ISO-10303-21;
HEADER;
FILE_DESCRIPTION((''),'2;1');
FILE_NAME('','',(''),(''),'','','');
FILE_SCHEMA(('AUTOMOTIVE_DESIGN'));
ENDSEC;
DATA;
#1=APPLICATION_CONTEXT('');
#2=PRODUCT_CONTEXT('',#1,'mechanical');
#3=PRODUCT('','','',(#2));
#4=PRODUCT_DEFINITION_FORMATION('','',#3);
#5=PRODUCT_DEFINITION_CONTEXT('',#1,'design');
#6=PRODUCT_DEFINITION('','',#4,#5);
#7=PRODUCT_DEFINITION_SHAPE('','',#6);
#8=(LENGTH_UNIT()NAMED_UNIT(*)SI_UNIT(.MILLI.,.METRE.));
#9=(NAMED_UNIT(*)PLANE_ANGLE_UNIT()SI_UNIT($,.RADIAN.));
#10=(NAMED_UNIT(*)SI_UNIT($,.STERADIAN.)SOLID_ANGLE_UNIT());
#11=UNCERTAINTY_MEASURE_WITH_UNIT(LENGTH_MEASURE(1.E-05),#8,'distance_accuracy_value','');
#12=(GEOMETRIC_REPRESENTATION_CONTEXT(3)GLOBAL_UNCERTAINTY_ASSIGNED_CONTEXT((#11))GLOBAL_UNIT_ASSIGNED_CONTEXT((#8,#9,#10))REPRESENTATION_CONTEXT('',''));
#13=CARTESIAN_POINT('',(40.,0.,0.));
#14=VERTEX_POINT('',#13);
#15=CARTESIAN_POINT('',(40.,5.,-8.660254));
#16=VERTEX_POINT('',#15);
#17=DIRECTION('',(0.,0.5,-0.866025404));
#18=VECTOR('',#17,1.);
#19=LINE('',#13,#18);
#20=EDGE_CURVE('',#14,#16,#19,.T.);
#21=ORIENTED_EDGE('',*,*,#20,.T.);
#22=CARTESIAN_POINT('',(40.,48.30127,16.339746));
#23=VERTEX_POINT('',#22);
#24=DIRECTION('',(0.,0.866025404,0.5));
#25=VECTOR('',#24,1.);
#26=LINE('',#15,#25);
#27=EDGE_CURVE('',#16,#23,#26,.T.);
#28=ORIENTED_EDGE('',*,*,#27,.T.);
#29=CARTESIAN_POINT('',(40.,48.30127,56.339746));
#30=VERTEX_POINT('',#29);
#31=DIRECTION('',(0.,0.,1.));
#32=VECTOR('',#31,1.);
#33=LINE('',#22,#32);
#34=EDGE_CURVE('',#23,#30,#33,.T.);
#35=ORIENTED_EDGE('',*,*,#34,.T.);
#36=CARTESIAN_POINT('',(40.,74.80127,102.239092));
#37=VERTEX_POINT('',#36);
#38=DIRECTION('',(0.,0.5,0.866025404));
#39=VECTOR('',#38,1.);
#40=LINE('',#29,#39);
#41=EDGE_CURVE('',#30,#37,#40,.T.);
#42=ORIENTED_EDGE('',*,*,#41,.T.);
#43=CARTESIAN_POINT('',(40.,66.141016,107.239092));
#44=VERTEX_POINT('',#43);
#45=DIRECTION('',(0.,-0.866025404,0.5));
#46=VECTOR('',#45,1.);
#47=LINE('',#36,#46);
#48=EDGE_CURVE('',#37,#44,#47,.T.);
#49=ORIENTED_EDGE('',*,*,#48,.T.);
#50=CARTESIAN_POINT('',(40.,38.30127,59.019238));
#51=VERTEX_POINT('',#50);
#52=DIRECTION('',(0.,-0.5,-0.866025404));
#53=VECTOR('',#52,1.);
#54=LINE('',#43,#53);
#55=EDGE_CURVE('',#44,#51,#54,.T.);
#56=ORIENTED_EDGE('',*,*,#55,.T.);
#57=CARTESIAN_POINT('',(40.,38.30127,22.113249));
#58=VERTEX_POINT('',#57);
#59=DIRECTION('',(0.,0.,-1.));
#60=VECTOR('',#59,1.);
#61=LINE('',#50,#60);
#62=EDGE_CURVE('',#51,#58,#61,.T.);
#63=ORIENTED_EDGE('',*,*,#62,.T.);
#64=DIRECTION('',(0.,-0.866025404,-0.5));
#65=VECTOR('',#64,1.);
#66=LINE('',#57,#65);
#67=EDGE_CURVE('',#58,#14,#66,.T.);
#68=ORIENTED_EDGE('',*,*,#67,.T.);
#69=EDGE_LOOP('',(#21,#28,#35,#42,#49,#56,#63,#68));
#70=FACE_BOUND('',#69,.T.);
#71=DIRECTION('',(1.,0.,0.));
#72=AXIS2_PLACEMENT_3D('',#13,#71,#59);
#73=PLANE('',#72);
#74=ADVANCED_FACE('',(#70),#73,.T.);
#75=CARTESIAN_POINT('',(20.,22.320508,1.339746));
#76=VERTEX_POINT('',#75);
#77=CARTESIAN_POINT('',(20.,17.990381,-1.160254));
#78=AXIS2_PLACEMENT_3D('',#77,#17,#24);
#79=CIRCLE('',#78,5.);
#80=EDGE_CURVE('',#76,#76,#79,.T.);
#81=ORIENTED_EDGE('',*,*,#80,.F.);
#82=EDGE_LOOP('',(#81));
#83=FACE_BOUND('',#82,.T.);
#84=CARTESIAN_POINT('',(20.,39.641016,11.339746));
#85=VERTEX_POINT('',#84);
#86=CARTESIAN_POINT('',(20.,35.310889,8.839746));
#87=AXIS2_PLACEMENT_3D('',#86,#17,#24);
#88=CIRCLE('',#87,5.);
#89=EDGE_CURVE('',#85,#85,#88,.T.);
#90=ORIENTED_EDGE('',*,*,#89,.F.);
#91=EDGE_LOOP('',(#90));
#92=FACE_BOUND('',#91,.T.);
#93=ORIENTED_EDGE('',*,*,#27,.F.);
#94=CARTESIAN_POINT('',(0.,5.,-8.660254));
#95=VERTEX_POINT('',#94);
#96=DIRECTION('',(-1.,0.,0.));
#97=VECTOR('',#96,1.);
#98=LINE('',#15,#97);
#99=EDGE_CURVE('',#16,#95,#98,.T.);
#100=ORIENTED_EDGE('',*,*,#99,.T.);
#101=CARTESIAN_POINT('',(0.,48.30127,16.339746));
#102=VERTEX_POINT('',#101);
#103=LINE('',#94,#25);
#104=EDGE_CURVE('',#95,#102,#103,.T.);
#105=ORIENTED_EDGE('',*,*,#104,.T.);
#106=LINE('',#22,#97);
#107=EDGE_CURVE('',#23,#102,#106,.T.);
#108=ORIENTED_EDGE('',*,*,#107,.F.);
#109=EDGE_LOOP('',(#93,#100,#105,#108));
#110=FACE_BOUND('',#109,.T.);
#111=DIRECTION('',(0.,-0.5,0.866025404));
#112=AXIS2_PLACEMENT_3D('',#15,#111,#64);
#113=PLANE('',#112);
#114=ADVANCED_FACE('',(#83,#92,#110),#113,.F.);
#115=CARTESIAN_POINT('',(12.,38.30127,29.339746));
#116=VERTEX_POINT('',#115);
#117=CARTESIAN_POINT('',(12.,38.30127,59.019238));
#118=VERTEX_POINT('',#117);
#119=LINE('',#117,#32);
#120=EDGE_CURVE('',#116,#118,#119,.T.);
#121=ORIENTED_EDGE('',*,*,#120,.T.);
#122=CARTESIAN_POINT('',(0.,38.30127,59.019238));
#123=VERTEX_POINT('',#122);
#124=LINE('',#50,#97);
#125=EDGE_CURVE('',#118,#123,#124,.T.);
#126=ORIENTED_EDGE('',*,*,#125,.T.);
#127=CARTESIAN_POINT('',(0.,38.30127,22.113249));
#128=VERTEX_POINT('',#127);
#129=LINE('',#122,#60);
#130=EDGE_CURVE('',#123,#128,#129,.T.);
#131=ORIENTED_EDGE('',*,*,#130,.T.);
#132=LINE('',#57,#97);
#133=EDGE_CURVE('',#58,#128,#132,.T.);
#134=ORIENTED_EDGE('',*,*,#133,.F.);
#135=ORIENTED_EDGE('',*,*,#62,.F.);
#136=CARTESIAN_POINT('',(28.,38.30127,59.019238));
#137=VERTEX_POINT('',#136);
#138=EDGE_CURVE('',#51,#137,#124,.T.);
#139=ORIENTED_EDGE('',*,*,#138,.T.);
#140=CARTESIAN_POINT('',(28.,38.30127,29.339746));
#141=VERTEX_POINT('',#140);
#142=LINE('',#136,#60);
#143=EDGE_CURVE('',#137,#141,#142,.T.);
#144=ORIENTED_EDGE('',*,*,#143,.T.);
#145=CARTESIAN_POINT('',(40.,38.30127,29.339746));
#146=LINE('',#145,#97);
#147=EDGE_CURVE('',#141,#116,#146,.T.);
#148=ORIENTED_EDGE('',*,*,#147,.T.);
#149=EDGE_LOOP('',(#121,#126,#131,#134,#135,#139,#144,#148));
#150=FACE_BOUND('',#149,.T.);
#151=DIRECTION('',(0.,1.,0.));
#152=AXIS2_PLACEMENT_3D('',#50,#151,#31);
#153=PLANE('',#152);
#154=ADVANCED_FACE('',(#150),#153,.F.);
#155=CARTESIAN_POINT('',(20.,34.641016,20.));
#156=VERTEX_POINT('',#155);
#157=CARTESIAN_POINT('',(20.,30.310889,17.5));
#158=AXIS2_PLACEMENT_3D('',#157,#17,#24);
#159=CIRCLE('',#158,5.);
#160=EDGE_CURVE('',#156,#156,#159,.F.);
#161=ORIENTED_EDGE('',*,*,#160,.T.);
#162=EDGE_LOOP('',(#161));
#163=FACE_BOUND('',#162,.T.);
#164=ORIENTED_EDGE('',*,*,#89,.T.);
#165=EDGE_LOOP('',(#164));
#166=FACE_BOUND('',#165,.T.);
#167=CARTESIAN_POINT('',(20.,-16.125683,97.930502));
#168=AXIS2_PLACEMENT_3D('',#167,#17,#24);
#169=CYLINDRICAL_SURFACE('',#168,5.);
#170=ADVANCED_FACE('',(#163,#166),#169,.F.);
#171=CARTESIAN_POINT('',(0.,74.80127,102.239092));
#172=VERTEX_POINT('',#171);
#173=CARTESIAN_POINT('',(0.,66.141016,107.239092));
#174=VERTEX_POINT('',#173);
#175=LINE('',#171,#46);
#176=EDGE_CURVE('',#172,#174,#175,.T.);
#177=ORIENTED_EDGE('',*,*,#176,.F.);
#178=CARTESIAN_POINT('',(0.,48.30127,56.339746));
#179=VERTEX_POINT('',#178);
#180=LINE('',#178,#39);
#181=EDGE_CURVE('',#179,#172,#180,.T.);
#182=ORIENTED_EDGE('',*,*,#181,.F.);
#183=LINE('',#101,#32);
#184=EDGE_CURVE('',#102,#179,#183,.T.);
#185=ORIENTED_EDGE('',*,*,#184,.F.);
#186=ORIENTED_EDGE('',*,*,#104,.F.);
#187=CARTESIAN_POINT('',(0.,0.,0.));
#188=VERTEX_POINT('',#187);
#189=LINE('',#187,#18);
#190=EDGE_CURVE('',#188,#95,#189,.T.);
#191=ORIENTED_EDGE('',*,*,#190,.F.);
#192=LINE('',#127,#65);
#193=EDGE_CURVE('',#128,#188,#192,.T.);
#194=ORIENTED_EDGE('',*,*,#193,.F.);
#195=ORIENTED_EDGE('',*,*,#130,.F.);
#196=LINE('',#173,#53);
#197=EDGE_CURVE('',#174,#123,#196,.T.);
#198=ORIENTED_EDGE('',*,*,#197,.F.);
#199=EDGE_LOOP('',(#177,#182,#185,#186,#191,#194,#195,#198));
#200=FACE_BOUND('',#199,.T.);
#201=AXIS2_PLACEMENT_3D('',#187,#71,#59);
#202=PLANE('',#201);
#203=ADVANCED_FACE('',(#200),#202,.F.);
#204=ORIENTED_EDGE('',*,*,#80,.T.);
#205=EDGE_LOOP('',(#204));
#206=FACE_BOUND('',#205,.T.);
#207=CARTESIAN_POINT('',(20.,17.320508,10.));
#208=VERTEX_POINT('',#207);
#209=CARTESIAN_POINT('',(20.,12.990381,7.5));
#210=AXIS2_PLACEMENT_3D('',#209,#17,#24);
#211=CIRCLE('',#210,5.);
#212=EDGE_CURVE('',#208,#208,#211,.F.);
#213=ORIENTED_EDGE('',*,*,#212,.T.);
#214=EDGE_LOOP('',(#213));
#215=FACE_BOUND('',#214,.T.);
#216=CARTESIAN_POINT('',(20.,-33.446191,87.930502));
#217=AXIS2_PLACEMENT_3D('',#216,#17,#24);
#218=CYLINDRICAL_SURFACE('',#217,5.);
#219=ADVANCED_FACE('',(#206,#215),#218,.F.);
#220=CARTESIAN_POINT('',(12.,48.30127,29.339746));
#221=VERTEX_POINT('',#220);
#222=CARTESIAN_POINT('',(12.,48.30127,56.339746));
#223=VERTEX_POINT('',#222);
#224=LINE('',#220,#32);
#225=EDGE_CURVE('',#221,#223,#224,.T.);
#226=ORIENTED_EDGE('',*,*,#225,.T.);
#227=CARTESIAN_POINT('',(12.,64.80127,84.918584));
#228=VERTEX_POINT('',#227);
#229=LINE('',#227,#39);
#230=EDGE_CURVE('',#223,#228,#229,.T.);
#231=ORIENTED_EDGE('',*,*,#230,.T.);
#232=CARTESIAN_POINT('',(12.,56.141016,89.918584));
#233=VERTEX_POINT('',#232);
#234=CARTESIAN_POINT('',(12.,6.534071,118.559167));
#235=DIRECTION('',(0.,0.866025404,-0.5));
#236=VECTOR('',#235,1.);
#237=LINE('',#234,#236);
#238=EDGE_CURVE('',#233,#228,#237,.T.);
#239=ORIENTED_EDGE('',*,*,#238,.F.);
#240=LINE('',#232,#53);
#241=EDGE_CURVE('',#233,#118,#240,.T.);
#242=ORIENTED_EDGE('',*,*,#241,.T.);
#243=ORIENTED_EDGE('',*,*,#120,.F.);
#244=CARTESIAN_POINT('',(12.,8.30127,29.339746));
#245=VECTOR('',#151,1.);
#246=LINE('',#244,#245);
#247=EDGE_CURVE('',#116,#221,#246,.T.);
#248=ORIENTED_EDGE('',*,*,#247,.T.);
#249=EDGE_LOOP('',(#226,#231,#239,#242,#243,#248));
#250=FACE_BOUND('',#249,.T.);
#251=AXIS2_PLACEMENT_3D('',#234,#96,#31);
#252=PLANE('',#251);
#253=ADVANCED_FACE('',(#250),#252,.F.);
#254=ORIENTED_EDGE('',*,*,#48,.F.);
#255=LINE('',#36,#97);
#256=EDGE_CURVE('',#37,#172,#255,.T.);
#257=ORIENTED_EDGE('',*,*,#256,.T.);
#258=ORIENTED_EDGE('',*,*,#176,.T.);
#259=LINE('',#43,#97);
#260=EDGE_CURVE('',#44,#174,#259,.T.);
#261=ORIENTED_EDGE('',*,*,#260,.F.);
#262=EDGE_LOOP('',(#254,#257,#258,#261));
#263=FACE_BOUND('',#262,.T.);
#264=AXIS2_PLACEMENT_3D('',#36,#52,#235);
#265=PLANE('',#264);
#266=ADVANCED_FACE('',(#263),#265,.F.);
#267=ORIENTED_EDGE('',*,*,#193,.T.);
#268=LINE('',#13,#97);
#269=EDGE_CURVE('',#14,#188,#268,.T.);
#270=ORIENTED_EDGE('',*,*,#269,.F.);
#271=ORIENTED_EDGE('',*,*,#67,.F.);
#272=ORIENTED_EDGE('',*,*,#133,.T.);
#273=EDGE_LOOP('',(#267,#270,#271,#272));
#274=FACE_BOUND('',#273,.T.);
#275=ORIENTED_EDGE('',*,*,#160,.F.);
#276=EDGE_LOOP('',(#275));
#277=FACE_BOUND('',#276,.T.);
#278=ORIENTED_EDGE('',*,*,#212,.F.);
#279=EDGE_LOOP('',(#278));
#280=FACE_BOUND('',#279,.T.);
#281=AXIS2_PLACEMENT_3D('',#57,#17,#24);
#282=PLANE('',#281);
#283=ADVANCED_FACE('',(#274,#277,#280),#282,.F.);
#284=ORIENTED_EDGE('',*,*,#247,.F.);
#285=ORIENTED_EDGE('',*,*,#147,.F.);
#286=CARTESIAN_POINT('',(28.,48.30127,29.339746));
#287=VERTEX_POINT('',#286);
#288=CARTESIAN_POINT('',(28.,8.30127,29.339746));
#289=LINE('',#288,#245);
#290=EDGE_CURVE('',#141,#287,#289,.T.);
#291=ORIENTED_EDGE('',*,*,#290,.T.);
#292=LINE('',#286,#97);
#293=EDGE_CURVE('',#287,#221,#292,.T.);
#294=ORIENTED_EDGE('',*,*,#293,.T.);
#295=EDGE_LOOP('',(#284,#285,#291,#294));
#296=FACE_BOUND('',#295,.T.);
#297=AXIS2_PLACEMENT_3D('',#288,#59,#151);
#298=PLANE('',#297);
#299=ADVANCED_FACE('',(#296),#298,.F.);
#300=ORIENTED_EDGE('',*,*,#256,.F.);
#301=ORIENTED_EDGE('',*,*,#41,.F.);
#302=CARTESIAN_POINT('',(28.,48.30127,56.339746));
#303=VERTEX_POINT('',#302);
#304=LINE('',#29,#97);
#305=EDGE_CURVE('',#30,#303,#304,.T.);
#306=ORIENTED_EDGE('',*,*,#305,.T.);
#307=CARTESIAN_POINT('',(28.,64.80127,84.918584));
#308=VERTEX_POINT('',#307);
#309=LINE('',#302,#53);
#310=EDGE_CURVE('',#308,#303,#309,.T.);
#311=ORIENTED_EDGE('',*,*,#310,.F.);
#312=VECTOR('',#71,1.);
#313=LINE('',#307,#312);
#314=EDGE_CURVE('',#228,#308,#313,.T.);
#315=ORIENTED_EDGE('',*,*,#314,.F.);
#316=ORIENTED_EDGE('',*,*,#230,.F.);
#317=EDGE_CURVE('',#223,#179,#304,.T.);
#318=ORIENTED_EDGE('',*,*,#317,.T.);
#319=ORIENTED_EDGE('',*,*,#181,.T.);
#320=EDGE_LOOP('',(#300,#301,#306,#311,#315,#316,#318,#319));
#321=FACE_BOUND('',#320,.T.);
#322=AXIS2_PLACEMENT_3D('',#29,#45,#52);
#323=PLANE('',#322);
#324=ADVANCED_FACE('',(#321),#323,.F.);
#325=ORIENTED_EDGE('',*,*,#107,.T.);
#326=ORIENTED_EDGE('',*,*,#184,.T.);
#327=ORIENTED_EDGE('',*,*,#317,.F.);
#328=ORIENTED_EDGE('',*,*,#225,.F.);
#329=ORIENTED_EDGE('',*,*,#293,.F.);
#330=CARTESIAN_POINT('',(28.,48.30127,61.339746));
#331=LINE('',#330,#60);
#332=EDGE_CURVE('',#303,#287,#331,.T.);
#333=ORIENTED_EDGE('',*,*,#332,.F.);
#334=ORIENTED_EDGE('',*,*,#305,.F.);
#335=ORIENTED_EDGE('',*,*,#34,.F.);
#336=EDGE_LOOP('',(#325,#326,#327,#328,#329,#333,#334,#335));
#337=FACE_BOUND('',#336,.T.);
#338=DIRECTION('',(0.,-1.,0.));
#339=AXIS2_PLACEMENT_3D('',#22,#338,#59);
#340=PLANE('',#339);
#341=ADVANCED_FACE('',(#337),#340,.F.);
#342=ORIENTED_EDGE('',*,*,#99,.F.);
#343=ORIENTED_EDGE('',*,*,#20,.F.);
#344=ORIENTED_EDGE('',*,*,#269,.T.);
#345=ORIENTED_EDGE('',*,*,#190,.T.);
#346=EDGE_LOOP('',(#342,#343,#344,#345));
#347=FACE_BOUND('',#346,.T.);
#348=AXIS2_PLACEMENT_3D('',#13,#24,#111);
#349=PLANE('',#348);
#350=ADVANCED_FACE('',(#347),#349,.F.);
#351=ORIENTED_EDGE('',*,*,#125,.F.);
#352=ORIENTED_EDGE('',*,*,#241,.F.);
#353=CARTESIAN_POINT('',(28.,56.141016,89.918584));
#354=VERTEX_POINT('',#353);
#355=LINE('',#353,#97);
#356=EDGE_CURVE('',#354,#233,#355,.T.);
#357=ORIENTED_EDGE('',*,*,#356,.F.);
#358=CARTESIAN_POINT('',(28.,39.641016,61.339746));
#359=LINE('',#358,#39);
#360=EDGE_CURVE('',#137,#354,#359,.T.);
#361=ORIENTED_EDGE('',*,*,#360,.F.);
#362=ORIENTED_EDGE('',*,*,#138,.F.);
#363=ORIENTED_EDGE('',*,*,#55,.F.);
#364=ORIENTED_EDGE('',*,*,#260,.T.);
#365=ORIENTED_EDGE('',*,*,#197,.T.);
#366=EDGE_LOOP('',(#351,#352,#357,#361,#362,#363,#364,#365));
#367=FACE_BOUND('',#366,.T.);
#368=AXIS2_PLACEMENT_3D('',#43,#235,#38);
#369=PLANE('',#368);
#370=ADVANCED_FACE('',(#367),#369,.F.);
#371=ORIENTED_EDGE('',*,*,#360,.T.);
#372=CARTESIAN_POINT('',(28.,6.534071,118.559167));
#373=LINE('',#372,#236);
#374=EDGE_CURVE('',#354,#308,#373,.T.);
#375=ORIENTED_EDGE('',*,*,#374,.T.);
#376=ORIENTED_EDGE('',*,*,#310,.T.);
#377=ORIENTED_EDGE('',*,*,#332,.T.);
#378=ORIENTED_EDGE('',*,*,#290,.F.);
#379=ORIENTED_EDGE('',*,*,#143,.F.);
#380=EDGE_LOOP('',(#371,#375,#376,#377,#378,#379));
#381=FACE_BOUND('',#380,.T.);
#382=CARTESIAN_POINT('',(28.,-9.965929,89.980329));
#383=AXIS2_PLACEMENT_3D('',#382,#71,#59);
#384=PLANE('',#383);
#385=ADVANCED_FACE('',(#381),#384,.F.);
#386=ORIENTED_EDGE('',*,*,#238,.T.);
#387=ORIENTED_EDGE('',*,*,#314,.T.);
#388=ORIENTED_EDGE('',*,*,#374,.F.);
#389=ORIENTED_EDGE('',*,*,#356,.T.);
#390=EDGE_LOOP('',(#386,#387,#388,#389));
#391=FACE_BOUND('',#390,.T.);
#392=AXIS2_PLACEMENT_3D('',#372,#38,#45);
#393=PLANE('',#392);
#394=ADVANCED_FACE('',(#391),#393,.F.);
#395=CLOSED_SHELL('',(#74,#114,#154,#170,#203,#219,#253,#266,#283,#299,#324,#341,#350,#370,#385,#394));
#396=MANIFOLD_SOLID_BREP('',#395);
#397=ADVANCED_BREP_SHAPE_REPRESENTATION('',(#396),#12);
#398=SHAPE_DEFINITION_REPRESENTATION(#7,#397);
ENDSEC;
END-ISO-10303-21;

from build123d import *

# Parameters (mm, degrees)
BOSS_EXTRUDE1_DEPTH = 40
CUT_EXTRUDE1_REACH  = 143.085
SKETCH2_R           = 5
CUT_EXTRUDE2_REACH  = 138.298
SKETCH3_W           = 16
SKETCH3_H           = 33
SKETCH4_W           = 16
SKETCH4_H           = 32
CUT_EXTRUDE4_DEPTH  = 40


with BuildPart() as part:
    # Sketch1 → Boss-Extrude1 (new body)
    with BuildSketch(Plane(origin=(0, 0, 0), x_dir=(0, 0, -1), z_dir=(1, 0, 0))):
        Polygon((-102.239092363, 74.801270189), (-107.239092363, 66.141016151), (-59.019237886, 38.301270189), (-22.113248654, 38.301270189), (0, 0), (8.660254038, 5), (-16.339745962, 48.301270189), (-56.339745962, 48.301270189), align=None)
    extrude(amount=BOSS_EXTRUDE1_DEPTH)

    # Sketch2 → Cut-Extrude1 (cut, up to next)
    with BuildSketch(Plane(origin=(0, 5, -8.660254038), x_dir=(-1, 0, 0), z_dir=(0, 0.4999999999999983, -0.8660254037844396)), mode=Mode.PRIVATE) as cut_extrude1_sk1:
        with Locations((-20, 35)):
            Circle(SKETCH2_R)
    cut_extrude1_tool1 = extrude(cut_extrude1_sk1.sketch, amount=-CUT_EXTRUDE1_REACH, mode=Mode.PRIVATE) & part.part
    # Sketch2 → Cut-Extrude1 (cut, up to next)
    with BuildSketch(Plane(origin=(0, 5, -8.660254038), x_dir=(-1, 0, 0), z_dir=(0, 0.4999999999999983, -0.8660254037844396)), mode=Mode.PRIVATE) as cut_extrude1_sk2:
        with Locations((-20, 15)):
            Circle(SKETCH2_R)
    cut_extrude1_tool2 = extrude(cut_extrude1_sk2.sketch, amount=-CUT_EXTRUDE1_REACH, mode=Mode.PRIVATE) & part.part
    add(cut_extrude1_tool1.solids().sort_by_distance((20, 35.310889, 8.839746))[0], mode=Mode.SUBTRACT)
    add(cut_extrude1_tool2.solids().sort_by_distance((20, 17.990381, -1.160254))[0], mode=Mode.SUBTRACT)

    # Sketch3 → Cut-Extrude2 (cut, up to next)
    with BuildSketch(Plane(origin=(0, 11.830127019, -6.830127019), x_dir=(1, 0, 0), z_dir=(0, 0.8660254037844383, -0.5000000000000009)), mode=Mode.PRIVATE) as cut_extrude2_sk1:
        with Locations((20, -89.442286341)):
            Rectangle(SKETCH3_W, SKETCH3_H)
    cut_extrude2_tool1 = extrude(cut_extrude2_sk1.sketch, amount=-CUT_EXTRUDE2_REACH, mode=Mode.PRIVATE) & part.part
    add(cut_extrude2_tool1.solids().sort_by_distance((20, 56.55127, 70.629165))[0], mode=Mode.SUBTRACT)

    # Sketch4 → Cut-Extrude4 (cut)
    with BuildSketch(Plane(origin=(0, 48.301270189, 0), x_dir=(1, 0, 0), z_dir=(0, 1, 0))):
        with Locations((20, -45.339745962)):
            Rectangle(SKETCH4_W, SKETCH4_H)
    extrude(amount=-CUT_EXTRUDE4_DEPTH, mode=Mode.SUBTRACT)


solid = part.part
